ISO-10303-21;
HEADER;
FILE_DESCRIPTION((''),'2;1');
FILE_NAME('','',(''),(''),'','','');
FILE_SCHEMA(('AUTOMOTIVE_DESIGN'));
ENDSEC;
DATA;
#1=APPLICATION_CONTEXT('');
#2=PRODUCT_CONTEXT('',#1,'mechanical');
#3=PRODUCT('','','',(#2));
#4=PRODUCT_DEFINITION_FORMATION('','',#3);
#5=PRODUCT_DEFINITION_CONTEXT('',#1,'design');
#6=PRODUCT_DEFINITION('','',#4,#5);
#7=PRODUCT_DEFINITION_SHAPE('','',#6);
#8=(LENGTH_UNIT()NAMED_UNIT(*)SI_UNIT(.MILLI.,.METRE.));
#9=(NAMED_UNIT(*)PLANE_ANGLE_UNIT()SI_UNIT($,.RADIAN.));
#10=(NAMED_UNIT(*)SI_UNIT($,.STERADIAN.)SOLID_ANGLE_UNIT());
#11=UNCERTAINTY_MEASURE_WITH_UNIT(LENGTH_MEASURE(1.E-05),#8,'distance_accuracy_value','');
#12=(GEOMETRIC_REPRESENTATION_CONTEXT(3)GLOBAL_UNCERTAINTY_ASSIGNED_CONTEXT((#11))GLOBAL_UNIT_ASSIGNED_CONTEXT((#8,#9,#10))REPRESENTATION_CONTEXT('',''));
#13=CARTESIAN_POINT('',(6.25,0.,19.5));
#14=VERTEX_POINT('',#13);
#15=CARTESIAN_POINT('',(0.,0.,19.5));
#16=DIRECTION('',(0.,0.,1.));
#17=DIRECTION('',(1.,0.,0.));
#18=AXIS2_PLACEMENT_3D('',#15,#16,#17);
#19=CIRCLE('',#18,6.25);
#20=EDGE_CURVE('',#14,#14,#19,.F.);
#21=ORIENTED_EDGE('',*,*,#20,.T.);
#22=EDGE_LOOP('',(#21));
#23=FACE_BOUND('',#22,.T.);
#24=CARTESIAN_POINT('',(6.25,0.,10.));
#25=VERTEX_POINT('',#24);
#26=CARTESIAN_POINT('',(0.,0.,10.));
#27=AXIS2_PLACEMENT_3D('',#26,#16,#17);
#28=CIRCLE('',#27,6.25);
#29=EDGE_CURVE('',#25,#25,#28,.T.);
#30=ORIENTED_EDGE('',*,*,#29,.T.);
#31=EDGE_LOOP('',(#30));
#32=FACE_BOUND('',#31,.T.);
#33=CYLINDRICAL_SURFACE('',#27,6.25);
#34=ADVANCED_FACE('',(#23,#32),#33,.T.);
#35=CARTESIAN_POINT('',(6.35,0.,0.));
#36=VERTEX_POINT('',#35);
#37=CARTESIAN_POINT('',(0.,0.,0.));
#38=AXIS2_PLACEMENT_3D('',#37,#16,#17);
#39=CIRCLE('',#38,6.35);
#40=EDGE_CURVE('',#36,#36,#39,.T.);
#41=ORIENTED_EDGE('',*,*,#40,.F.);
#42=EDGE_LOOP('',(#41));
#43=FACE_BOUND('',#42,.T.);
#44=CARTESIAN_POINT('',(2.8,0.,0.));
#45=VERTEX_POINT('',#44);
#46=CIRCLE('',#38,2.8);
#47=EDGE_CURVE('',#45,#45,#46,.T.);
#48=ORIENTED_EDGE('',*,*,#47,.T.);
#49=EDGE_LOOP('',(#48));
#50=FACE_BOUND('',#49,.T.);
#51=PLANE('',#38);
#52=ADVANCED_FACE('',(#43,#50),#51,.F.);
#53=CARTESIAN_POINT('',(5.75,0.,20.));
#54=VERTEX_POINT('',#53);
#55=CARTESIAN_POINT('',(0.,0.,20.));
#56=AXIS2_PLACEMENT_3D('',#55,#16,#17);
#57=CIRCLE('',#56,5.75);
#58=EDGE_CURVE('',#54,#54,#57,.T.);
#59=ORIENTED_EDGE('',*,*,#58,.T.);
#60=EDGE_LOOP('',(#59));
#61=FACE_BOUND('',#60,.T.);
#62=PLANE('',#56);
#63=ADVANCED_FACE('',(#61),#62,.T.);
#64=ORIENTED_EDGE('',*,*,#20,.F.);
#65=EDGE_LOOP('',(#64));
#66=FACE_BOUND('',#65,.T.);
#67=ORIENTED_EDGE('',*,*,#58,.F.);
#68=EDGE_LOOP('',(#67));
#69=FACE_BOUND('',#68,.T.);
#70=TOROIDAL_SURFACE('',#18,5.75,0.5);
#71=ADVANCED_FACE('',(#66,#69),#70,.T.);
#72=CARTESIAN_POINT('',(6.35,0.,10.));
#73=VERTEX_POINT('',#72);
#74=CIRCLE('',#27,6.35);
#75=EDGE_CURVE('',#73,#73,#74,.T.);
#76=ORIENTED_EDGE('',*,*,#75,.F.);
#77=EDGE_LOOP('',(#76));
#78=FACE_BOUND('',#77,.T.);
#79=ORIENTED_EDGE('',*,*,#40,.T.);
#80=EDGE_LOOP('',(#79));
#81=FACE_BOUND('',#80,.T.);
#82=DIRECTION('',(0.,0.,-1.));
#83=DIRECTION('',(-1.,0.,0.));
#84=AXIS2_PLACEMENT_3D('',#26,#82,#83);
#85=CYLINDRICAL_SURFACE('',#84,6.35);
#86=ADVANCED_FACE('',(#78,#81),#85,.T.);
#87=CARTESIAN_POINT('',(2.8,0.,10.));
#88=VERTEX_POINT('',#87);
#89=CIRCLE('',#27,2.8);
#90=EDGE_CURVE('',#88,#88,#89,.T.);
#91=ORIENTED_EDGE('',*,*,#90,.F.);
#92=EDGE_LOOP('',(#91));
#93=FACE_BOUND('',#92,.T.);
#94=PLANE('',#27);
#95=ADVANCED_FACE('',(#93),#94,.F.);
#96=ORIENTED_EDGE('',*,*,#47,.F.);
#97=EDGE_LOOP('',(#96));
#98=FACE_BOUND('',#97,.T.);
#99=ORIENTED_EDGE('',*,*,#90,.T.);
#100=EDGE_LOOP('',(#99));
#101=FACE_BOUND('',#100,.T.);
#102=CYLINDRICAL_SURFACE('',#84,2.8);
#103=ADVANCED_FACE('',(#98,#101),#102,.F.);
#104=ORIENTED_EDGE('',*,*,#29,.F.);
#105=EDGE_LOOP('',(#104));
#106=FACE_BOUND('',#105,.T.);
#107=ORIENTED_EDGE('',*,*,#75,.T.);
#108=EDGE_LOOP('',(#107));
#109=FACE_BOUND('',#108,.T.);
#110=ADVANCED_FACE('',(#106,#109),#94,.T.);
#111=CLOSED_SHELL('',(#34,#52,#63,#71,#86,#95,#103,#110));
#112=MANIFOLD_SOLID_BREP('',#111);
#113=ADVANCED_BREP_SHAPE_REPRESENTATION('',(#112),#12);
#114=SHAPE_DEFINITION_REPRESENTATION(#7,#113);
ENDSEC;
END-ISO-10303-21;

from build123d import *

# Parameters (mm, degrees)
SKETCH1_R           = 6.35
SKETCH1_R_2         = 2.8
BOSS_EXTRUDE2_DEPTH = 10
SKETCH2_R           = 6.35
BOSS_EXTRUDE3_DEPTH = 10
CUT_EXTRUDE1_START  = -10
SKETCH3_R           = 6.35
SKETCH3_R_2         = 6.25
CUT_EXTRUDE1_DEPTH  = 10
FILLET1_R           = 0.5


with BuildPart() as part:
    # Sketch1 → Boss-Extrude2 (new body)
    with BuildSketch(Plane.XY):
        Circle(SKETCH1_R)
        Circle(SKETCH1_R_2, mode=Mode.SUBTRACT)
    extrude(amount=BOSS_EXTRUDE2_DEPTH)

    # Sketch2 → Boss-Extrude3 (add)
    with BuildSketch(Plane.XY.offset(10)):
        Circle(SKETCH2_R)
    extrude(amount=BOSS_EXTRUDE3_DEPTH)

    # Sketch3 → Cut-Extrude1 (cut)
    with BuildSketch(Plane.XY.offset(20).offset(CUT_EXTRUDE1_START)):
        Circle(SKETCH3_R)
        Circle(SKETCH3_R_2, mode=Mode.SUBTRACT)
    extrude(amount=CUT_EXTRUDE1_DEPTH, mode=Mode.SUBTRACT)

    # Fillet1
    fillet1_edges = [part.edges().sort_by_distance(p)[0] for p in [
        (-6.25, 0, 20),
    ]]
    fillet(fillet1_edges, radius=FILLET1_R)


solid = part.part
